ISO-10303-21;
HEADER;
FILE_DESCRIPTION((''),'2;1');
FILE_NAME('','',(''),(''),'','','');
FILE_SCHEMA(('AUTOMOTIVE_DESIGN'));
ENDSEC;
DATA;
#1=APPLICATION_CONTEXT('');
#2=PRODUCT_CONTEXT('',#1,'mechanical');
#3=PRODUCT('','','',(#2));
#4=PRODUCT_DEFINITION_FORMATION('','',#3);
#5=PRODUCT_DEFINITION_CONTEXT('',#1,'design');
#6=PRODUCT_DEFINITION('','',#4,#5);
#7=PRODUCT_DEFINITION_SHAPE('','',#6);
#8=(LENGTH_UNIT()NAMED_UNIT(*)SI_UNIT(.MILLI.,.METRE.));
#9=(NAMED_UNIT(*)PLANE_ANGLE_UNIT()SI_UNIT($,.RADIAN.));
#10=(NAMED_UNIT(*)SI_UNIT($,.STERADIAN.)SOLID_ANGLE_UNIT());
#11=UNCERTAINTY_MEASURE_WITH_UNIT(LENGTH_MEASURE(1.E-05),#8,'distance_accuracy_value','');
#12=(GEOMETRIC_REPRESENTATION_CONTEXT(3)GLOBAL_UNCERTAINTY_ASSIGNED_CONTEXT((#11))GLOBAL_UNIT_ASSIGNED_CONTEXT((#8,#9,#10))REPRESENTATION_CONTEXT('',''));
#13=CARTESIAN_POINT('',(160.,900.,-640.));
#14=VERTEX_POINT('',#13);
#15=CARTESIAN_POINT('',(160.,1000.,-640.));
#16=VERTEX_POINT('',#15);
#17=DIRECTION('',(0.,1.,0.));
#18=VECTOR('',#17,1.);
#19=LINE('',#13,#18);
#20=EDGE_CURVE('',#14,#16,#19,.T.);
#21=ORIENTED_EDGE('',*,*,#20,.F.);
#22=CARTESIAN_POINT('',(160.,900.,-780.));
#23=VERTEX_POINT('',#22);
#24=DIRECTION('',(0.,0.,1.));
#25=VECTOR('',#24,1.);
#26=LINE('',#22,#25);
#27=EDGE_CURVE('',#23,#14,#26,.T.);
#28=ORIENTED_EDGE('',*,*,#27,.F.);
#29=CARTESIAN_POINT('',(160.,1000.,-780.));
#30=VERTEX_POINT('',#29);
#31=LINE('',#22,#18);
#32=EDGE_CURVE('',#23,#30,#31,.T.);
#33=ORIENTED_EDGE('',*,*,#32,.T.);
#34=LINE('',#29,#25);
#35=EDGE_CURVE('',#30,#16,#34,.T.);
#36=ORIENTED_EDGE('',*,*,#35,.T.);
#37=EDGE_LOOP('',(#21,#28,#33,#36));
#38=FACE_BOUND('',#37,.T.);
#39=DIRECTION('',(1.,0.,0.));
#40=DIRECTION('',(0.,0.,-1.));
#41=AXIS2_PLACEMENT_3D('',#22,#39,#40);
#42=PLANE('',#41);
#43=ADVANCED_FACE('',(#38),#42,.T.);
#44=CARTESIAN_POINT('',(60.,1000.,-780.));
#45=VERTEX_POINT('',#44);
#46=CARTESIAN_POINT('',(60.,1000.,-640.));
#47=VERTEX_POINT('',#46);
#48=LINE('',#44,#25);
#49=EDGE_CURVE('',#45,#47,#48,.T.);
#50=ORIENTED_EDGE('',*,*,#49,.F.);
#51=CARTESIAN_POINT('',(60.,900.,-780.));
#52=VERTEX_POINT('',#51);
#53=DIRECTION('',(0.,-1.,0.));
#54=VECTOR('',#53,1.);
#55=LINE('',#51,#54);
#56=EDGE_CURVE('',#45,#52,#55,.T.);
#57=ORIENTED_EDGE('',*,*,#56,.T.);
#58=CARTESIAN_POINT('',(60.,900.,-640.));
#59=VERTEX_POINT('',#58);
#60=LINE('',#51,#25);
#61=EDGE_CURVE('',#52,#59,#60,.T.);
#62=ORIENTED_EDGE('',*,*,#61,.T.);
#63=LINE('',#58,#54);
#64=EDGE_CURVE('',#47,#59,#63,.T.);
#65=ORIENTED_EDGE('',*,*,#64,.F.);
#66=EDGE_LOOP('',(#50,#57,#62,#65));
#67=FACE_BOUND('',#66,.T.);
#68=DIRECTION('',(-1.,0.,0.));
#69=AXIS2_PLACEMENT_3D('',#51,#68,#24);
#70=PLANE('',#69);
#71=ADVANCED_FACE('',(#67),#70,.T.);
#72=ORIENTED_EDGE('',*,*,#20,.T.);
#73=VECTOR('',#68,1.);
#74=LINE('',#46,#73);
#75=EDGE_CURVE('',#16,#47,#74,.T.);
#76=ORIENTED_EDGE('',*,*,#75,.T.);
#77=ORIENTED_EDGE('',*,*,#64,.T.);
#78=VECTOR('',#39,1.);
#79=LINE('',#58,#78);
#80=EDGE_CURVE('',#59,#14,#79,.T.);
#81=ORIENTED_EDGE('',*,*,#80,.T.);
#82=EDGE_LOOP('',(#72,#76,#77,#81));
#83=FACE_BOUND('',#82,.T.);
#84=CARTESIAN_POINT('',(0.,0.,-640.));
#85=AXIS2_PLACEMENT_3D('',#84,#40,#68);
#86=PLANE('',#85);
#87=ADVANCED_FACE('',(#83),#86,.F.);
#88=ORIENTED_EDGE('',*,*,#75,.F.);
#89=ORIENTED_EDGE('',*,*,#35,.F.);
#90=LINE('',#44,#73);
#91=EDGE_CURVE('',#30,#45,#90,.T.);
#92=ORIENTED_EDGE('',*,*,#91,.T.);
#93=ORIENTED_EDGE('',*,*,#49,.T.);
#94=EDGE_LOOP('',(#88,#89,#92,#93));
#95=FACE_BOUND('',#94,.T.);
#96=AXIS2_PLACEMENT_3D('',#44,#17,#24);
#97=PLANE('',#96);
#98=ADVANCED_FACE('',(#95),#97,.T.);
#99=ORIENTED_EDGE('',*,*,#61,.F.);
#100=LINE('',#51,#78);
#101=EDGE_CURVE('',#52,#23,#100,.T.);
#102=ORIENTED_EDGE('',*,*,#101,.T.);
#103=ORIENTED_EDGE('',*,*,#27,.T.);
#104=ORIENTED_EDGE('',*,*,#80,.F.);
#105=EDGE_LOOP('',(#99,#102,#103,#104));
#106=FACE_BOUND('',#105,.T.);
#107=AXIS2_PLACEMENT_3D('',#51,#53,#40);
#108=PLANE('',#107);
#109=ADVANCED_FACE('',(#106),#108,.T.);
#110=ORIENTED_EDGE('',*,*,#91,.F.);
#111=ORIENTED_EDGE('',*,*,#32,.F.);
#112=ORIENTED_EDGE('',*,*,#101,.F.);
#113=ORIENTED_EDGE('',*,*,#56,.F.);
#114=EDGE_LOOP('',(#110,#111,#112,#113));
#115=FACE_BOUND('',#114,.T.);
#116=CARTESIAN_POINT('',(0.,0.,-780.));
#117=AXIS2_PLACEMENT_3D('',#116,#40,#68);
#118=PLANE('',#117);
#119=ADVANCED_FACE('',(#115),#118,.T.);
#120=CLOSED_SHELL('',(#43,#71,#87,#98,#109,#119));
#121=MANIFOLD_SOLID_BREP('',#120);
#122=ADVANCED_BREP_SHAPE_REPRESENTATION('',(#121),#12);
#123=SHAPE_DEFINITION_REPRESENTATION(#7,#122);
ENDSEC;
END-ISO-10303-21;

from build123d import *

# Parameters (mm, degrees)
OVEN_YAG_POMPASI_24V_1_START = -640
SKETCH1_W                    = 100
SKETCH1_H                    = 100
OVEN_YAG_POMPASI_24V_1_DEPTH = 140


with BuildPart() as part:
    # Sketch1 → OVEN_yag_pompasi_24V_1 (new body)
    with BuildSketch(Plane.XY.offset(OVEN_YAG_POMPASI_24V_1_START)):
        with Locations((110, 950)):
            Rectangle(SKETCH1_W, SKETCH1_H)
    extrude(amount=-OVEN_YAG_POMPASI_24V_1_DEPTH)


solid = part.part
